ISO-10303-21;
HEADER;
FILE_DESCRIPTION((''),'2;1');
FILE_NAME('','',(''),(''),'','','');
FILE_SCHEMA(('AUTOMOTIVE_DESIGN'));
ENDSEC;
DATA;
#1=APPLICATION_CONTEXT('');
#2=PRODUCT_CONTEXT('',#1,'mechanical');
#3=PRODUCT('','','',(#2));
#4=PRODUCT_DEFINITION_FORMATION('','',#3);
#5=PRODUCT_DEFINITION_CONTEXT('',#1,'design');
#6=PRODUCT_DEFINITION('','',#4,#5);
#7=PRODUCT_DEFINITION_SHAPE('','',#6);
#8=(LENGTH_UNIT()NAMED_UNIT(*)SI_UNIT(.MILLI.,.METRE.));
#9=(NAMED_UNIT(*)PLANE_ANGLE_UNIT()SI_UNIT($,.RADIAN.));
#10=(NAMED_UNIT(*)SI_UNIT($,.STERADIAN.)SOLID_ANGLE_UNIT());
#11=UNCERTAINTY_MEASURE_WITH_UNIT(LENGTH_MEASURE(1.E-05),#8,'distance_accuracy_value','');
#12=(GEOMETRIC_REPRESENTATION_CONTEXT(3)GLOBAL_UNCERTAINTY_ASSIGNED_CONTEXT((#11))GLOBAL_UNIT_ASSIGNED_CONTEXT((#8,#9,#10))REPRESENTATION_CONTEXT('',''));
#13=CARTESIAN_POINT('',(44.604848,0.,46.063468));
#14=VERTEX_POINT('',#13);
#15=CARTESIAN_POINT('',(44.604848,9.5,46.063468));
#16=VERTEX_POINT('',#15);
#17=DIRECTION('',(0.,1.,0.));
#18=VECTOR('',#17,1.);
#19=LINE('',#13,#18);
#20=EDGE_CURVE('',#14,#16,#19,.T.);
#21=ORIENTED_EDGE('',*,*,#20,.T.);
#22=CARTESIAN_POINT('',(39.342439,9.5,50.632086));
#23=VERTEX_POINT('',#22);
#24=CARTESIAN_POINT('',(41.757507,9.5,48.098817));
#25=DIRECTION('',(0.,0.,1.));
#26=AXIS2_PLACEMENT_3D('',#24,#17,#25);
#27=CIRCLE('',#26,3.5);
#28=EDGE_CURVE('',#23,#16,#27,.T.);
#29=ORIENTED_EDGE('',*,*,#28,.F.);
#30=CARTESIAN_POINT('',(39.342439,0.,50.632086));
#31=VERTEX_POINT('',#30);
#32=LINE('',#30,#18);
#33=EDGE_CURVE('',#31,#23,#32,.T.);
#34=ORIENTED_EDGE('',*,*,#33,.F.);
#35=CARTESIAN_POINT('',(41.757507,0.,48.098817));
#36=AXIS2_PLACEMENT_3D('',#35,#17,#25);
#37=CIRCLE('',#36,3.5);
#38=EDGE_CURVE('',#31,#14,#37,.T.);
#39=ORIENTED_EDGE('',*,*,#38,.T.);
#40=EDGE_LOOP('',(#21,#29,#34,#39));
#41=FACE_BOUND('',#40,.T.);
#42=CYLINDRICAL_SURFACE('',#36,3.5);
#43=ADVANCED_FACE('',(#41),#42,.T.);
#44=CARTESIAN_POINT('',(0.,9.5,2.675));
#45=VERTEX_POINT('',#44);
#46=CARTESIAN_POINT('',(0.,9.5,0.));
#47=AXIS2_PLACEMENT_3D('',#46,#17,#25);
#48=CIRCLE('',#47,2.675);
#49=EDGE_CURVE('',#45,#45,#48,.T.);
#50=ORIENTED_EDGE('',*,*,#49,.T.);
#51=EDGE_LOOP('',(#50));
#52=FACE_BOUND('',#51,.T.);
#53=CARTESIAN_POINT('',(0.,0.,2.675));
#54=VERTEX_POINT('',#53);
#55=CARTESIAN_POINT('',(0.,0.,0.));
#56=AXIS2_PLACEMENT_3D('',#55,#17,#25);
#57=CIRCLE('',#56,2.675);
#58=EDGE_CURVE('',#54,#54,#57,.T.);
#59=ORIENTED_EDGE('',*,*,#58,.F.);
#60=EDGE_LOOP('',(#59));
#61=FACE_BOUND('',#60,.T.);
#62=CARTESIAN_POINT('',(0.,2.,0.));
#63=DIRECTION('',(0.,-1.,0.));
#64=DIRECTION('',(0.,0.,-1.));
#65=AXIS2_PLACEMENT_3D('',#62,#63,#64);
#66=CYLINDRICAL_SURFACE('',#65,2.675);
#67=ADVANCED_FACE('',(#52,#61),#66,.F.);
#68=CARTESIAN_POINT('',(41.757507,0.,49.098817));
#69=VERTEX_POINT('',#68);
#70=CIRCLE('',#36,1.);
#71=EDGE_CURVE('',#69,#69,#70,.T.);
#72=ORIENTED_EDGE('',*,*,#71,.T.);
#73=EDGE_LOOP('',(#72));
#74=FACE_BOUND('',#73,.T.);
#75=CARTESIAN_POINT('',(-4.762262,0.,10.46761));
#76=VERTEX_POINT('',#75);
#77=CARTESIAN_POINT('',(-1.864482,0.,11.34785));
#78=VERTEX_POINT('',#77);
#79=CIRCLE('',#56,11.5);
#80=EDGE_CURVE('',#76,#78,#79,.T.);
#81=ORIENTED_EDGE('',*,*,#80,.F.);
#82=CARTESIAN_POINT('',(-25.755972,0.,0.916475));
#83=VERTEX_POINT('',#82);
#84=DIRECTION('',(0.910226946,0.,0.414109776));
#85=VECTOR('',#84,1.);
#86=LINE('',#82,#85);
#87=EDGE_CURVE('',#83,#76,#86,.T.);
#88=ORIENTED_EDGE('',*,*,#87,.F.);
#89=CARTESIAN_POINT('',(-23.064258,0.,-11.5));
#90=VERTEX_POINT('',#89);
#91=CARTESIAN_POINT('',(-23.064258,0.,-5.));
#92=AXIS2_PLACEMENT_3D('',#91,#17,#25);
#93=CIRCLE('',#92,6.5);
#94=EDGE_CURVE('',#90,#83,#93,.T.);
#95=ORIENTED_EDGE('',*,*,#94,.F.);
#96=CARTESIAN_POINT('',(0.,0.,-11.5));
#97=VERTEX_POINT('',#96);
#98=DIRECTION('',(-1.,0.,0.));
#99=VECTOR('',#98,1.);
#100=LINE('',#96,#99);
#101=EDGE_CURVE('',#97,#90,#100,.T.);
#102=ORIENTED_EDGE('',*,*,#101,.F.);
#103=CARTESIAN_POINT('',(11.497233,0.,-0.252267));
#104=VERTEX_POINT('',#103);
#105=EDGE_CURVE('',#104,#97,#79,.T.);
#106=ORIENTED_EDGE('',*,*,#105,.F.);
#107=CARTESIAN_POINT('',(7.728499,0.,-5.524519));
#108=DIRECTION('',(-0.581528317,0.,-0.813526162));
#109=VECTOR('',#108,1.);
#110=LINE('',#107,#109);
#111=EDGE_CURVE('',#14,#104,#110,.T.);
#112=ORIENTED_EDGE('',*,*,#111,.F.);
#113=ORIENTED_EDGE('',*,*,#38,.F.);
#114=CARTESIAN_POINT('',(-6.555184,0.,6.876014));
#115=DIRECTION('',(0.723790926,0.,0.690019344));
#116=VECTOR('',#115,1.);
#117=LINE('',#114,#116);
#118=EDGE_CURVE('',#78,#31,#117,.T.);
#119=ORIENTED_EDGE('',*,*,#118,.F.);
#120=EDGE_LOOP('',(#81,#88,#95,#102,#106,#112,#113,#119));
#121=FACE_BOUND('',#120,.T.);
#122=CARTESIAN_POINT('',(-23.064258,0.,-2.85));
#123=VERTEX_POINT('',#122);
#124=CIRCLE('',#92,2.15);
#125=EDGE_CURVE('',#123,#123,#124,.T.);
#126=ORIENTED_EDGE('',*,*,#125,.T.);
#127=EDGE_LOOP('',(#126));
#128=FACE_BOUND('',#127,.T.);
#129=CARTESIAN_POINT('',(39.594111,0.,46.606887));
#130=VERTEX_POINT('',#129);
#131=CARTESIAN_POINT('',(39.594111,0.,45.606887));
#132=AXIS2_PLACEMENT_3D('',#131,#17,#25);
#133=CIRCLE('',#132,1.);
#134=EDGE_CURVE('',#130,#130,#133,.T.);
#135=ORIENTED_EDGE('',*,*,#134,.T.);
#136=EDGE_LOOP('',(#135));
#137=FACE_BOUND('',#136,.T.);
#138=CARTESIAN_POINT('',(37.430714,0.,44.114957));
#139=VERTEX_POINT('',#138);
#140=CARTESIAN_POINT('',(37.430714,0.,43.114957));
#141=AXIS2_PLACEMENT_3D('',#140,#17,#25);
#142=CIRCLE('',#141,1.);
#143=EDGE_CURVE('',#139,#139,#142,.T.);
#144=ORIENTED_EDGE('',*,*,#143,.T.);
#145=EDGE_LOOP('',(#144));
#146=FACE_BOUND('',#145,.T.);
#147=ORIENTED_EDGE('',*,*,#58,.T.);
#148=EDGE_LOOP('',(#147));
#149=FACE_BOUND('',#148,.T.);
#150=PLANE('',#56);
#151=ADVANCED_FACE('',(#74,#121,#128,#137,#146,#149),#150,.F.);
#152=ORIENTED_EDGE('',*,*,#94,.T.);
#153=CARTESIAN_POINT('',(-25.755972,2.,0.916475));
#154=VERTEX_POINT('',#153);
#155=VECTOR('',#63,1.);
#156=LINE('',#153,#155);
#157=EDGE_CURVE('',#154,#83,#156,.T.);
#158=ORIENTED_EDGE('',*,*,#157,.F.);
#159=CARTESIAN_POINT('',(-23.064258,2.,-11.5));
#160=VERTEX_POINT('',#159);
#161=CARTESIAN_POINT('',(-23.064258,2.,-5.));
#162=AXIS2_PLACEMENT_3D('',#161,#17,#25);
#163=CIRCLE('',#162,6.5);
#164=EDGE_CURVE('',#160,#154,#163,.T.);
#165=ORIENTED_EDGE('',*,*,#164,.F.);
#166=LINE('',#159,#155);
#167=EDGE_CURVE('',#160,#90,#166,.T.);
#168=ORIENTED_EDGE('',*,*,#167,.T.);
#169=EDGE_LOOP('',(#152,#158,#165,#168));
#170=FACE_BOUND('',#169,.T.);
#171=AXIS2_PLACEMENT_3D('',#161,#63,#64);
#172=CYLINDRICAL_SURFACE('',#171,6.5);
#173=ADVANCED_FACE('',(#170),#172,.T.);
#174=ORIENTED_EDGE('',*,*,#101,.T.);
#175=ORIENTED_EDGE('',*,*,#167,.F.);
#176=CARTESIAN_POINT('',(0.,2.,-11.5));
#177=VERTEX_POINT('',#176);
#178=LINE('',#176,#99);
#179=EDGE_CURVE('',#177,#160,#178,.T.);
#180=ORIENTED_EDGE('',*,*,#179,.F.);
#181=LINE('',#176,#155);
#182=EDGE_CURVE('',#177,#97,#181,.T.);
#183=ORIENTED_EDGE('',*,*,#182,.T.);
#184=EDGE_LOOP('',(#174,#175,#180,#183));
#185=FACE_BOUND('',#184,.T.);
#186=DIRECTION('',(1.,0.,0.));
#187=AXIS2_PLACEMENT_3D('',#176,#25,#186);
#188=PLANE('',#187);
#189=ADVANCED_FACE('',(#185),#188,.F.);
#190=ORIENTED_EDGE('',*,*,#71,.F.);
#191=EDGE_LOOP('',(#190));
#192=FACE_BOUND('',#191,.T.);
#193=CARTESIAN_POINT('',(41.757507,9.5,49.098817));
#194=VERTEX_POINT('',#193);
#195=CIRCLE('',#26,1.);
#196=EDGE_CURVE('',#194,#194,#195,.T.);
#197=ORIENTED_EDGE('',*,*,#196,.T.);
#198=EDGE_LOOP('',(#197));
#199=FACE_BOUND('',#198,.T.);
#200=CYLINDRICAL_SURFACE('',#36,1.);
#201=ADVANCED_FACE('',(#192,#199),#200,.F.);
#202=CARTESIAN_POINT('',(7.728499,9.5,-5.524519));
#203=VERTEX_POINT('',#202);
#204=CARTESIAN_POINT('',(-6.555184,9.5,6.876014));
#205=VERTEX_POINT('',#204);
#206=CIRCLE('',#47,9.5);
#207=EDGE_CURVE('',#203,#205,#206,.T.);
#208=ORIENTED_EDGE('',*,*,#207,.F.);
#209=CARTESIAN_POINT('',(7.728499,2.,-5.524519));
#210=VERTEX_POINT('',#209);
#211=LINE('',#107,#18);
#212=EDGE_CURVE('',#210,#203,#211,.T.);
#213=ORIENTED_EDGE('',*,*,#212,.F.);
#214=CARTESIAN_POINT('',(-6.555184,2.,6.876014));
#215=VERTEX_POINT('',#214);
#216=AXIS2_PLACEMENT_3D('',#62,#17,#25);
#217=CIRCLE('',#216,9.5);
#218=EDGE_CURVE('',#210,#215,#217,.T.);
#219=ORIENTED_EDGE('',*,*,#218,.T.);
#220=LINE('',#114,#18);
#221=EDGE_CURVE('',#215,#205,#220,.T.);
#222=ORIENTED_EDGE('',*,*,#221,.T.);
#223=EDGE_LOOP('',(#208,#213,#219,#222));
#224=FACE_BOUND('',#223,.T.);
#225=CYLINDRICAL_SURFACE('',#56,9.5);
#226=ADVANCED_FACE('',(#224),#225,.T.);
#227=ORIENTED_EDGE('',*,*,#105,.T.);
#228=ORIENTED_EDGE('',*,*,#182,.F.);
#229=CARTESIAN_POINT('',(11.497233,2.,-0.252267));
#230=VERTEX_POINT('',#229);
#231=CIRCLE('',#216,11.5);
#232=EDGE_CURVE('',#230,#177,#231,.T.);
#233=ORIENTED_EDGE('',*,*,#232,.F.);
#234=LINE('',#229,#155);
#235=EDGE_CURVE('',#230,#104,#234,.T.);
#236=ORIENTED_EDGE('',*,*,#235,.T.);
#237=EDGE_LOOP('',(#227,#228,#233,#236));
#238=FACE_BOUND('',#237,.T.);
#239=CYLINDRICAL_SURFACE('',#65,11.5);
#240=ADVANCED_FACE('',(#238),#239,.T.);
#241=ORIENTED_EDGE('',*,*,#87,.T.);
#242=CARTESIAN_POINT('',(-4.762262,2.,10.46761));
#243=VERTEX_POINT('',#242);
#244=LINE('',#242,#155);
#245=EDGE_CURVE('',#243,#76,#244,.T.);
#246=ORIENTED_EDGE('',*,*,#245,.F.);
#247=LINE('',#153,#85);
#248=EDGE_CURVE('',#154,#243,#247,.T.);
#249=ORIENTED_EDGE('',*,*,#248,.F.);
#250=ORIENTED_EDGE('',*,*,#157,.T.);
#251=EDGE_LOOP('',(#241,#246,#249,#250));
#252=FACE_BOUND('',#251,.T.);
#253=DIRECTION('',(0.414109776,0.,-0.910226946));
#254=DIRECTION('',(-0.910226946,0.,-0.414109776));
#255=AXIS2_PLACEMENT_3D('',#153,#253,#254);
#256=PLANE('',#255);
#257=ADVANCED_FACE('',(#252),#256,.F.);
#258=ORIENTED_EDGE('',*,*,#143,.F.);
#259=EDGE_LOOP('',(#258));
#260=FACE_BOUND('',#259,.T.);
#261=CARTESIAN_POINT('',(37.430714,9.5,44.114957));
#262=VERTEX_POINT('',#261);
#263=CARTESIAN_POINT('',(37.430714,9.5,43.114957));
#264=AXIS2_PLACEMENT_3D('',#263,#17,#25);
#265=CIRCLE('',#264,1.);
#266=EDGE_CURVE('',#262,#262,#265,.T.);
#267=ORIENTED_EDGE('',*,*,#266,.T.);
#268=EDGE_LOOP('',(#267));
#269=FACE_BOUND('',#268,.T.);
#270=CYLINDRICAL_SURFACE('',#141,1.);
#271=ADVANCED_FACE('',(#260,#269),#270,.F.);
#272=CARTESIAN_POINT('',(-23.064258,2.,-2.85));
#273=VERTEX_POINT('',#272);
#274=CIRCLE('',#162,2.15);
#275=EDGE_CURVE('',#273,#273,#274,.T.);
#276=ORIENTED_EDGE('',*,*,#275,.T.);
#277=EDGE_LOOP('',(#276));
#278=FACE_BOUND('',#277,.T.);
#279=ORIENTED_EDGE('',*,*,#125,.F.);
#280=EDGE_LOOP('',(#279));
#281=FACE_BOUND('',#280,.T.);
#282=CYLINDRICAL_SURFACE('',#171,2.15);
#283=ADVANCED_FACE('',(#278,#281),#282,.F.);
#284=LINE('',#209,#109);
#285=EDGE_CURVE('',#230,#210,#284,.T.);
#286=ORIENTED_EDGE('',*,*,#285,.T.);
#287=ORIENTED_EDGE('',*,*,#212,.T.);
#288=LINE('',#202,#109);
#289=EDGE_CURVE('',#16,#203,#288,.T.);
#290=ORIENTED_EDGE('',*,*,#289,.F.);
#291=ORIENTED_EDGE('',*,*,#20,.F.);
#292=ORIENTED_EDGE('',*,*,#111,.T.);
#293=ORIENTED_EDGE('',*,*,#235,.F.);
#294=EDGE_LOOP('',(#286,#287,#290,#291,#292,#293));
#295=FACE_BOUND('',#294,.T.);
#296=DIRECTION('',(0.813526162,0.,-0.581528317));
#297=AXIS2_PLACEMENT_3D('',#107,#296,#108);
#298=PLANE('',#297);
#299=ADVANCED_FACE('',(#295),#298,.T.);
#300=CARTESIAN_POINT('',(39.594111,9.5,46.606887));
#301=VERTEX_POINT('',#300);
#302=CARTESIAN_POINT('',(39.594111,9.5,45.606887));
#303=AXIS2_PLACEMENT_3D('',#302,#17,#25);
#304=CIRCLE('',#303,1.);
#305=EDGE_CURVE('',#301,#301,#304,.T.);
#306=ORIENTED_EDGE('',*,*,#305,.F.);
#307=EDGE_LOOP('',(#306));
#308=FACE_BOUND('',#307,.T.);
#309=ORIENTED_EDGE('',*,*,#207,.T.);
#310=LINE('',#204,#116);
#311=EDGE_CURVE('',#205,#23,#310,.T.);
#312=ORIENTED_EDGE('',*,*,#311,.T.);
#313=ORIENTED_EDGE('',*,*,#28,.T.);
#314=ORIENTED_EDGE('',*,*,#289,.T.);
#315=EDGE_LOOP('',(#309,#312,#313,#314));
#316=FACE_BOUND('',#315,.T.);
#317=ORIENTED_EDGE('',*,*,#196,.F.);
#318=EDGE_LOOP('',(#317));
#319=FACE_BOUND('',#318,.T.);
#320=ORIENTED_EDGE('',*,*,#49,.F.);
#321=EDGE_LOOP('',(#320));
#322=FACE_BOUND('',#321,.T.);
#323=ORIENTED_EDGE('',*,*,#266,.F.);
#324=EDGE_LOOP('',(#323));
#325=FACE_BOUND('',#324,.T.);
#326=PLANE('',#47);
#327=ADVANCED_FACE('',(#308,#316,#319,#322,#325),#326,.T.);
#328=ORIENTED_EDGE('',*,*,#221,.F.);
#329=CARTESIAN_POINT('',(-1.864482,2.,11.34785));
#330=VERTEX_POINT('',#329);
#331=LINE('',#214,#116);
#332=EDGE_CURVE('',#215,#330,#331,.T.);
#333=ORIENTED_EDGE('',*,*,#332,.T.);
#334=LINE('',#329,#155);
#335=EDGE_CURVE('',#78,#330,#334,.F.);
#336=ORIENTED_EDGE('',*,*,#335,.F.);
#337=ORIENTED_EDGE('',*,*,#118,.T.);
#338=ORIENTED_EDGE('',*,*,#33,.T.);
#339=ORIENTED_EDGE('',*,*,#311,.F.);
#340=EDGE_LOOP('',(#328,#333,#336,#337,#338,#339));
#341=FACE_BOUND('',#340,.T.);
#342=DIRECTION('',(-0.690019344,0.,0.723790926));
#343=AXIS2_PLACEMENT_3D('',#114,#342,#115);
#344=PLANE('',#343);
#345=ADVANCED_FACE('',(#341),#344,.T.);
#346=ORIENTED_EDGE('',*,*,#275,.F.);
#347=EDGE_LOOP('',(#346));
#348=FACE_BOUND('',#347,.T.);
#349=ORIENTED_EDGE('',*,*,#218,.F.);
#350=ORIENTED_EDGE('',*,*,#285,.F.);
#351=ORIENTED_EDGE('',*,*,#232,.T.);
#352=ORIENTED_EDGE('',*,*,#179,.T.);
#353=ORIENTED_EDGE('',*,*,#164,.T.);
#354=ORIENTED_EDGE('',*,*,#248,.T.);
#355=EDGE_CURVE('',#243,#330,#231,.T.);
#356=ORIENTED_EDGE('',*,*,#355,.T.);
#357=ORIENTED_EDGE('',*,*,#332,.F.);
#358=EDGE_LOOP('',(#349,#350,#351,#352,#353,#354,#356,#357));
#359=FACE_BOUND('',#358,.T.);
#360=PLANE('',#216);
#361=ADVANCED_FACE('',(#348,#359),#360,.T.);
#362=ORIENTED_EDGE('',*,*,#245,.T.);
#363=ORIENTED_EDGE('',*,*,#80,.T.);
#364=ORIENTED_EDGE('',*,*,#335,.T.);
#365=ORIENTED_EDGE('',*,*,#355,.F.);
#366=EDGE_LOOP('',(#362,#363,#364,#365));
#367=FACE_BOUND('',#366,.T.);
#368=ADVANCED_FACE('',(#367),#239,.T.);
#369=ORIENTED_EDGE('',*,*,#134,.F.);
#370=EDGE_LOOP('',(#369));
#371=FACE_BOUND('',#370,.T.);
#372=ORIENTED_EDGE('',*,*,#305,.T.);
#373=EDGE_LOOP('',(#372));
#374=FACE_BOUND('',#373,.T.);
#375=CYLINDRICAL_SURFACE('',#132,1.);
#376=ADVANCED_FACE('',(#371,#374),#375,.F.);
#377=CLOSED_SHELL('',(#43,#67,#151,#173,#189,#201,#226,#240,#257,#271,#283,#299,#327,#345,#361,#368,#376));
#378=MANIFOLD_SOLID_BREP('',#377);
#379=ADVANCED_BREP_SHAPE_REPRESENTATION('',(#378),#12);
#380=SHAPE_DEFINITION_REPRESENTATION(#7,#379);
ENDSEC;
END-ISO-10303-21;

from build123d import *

# Parameters (mm, degrees)
ESQUISSE1_R             = 2.675
ESQUISSE1_R_2           = 2.15
BOSS_EXTRU_1_DEPTH      = 2
BOSS_EXTRU_2_DEPTH      = 7.5
BOSS_EXTRU_2_DEPTH_BACK = 2
ESQUISSE2_R             = 2.675
ESQUISSE2_R_2           = 1


with BuildPart() as part:
    # Esquisse1 → Boss.-Extru.1 (new body)
    with BuildSketch(Plane(origin=(0, 0, 0), x_dir=(1, 0, 0), z_dir=(0, 1, 0))):
        with BuildLine():
            Line((0, 11.5), (-23.064258063, 11.5))
            ThreePointArc((-23.064258063, 11.5), (-29.416702021, 6.377118644), (-25.755971605, -0.916475151))
            Line((-25.755971605, -0.916475151), (-4.76226242, -10.467609882))
            ThreePointArc((-4.76226242, -10.467609882), (11.23893931, -2.436440678), (0, 11.5))
        make_face()
        with Locations(Location((0, 0, 0), (0, 0, 270))):
            Circle(ESQUISSE1_R, mode=Mode.SUBTRACT)
        with Locations(Location((-23.064258063, 5, 0), (0, 0, 270))):
            Circle(ESQUISSE1_R_2, mode=Mode.SUBTRACT)
    extrude(amount=BOSS_EXTRU_1_DEPTH)

    # Esquisse2 → Boss.-Extru.2 (add, two sides: drawn at the far end of the back side and taken through both)
    with BuildSketch(Plane(origin=(0, 2, 0), x_dir=(1, 0, 0), z_dir=(0, 1, 0)).offset(-BOSS_EXTRU_2_DEPTH_BACK)):
        with BuildLine():
            Line((7.728498539, 5.524519013), (44.604848398, -46.063468165))
            ThreePointArc((44.604848398, -46.063468165), (44.052017955, -50.741773707), (39.342439126, -50.632085515))
            Line((39.342439126, -50.632085515), (-6.555183772, -6.876013796))
            ThreePointArc((-6.555183772, -6.876013796), (-6.227958764, 7.173738888), (7.728498539, 5.524519013))
        make_face()
        with Locations(Location((0, 0, 0), (0, 0, 270))):
            Circle(ESQUISSE2_R, mode=Mode.SUBTRACT)
        with Locations(Location((41.757506831, -48.098817275, 0), (0, 0, 270))):
            Circle(ESQUISSE2_R_2, mode=Mode.SUBTRACT)
        with Locations(Location((39.594110629, -45.606886924, 0), (0, 0, 270))):
            Circle(ESQUISSE2_R_2, mode=Mode.SUBTRACT)
        with Locations(Location((37.430714426, -43.114956574, 0), (0, 0, 270))):
            Circle(ESQUISSE2_R_2, mode=Mode.SUBTRACT)
    extrude(amount=BOSS_EXTRU_2_DEPTH + BOSS_EXTRU_2_DEPTH_BACK)


solid = part.part
